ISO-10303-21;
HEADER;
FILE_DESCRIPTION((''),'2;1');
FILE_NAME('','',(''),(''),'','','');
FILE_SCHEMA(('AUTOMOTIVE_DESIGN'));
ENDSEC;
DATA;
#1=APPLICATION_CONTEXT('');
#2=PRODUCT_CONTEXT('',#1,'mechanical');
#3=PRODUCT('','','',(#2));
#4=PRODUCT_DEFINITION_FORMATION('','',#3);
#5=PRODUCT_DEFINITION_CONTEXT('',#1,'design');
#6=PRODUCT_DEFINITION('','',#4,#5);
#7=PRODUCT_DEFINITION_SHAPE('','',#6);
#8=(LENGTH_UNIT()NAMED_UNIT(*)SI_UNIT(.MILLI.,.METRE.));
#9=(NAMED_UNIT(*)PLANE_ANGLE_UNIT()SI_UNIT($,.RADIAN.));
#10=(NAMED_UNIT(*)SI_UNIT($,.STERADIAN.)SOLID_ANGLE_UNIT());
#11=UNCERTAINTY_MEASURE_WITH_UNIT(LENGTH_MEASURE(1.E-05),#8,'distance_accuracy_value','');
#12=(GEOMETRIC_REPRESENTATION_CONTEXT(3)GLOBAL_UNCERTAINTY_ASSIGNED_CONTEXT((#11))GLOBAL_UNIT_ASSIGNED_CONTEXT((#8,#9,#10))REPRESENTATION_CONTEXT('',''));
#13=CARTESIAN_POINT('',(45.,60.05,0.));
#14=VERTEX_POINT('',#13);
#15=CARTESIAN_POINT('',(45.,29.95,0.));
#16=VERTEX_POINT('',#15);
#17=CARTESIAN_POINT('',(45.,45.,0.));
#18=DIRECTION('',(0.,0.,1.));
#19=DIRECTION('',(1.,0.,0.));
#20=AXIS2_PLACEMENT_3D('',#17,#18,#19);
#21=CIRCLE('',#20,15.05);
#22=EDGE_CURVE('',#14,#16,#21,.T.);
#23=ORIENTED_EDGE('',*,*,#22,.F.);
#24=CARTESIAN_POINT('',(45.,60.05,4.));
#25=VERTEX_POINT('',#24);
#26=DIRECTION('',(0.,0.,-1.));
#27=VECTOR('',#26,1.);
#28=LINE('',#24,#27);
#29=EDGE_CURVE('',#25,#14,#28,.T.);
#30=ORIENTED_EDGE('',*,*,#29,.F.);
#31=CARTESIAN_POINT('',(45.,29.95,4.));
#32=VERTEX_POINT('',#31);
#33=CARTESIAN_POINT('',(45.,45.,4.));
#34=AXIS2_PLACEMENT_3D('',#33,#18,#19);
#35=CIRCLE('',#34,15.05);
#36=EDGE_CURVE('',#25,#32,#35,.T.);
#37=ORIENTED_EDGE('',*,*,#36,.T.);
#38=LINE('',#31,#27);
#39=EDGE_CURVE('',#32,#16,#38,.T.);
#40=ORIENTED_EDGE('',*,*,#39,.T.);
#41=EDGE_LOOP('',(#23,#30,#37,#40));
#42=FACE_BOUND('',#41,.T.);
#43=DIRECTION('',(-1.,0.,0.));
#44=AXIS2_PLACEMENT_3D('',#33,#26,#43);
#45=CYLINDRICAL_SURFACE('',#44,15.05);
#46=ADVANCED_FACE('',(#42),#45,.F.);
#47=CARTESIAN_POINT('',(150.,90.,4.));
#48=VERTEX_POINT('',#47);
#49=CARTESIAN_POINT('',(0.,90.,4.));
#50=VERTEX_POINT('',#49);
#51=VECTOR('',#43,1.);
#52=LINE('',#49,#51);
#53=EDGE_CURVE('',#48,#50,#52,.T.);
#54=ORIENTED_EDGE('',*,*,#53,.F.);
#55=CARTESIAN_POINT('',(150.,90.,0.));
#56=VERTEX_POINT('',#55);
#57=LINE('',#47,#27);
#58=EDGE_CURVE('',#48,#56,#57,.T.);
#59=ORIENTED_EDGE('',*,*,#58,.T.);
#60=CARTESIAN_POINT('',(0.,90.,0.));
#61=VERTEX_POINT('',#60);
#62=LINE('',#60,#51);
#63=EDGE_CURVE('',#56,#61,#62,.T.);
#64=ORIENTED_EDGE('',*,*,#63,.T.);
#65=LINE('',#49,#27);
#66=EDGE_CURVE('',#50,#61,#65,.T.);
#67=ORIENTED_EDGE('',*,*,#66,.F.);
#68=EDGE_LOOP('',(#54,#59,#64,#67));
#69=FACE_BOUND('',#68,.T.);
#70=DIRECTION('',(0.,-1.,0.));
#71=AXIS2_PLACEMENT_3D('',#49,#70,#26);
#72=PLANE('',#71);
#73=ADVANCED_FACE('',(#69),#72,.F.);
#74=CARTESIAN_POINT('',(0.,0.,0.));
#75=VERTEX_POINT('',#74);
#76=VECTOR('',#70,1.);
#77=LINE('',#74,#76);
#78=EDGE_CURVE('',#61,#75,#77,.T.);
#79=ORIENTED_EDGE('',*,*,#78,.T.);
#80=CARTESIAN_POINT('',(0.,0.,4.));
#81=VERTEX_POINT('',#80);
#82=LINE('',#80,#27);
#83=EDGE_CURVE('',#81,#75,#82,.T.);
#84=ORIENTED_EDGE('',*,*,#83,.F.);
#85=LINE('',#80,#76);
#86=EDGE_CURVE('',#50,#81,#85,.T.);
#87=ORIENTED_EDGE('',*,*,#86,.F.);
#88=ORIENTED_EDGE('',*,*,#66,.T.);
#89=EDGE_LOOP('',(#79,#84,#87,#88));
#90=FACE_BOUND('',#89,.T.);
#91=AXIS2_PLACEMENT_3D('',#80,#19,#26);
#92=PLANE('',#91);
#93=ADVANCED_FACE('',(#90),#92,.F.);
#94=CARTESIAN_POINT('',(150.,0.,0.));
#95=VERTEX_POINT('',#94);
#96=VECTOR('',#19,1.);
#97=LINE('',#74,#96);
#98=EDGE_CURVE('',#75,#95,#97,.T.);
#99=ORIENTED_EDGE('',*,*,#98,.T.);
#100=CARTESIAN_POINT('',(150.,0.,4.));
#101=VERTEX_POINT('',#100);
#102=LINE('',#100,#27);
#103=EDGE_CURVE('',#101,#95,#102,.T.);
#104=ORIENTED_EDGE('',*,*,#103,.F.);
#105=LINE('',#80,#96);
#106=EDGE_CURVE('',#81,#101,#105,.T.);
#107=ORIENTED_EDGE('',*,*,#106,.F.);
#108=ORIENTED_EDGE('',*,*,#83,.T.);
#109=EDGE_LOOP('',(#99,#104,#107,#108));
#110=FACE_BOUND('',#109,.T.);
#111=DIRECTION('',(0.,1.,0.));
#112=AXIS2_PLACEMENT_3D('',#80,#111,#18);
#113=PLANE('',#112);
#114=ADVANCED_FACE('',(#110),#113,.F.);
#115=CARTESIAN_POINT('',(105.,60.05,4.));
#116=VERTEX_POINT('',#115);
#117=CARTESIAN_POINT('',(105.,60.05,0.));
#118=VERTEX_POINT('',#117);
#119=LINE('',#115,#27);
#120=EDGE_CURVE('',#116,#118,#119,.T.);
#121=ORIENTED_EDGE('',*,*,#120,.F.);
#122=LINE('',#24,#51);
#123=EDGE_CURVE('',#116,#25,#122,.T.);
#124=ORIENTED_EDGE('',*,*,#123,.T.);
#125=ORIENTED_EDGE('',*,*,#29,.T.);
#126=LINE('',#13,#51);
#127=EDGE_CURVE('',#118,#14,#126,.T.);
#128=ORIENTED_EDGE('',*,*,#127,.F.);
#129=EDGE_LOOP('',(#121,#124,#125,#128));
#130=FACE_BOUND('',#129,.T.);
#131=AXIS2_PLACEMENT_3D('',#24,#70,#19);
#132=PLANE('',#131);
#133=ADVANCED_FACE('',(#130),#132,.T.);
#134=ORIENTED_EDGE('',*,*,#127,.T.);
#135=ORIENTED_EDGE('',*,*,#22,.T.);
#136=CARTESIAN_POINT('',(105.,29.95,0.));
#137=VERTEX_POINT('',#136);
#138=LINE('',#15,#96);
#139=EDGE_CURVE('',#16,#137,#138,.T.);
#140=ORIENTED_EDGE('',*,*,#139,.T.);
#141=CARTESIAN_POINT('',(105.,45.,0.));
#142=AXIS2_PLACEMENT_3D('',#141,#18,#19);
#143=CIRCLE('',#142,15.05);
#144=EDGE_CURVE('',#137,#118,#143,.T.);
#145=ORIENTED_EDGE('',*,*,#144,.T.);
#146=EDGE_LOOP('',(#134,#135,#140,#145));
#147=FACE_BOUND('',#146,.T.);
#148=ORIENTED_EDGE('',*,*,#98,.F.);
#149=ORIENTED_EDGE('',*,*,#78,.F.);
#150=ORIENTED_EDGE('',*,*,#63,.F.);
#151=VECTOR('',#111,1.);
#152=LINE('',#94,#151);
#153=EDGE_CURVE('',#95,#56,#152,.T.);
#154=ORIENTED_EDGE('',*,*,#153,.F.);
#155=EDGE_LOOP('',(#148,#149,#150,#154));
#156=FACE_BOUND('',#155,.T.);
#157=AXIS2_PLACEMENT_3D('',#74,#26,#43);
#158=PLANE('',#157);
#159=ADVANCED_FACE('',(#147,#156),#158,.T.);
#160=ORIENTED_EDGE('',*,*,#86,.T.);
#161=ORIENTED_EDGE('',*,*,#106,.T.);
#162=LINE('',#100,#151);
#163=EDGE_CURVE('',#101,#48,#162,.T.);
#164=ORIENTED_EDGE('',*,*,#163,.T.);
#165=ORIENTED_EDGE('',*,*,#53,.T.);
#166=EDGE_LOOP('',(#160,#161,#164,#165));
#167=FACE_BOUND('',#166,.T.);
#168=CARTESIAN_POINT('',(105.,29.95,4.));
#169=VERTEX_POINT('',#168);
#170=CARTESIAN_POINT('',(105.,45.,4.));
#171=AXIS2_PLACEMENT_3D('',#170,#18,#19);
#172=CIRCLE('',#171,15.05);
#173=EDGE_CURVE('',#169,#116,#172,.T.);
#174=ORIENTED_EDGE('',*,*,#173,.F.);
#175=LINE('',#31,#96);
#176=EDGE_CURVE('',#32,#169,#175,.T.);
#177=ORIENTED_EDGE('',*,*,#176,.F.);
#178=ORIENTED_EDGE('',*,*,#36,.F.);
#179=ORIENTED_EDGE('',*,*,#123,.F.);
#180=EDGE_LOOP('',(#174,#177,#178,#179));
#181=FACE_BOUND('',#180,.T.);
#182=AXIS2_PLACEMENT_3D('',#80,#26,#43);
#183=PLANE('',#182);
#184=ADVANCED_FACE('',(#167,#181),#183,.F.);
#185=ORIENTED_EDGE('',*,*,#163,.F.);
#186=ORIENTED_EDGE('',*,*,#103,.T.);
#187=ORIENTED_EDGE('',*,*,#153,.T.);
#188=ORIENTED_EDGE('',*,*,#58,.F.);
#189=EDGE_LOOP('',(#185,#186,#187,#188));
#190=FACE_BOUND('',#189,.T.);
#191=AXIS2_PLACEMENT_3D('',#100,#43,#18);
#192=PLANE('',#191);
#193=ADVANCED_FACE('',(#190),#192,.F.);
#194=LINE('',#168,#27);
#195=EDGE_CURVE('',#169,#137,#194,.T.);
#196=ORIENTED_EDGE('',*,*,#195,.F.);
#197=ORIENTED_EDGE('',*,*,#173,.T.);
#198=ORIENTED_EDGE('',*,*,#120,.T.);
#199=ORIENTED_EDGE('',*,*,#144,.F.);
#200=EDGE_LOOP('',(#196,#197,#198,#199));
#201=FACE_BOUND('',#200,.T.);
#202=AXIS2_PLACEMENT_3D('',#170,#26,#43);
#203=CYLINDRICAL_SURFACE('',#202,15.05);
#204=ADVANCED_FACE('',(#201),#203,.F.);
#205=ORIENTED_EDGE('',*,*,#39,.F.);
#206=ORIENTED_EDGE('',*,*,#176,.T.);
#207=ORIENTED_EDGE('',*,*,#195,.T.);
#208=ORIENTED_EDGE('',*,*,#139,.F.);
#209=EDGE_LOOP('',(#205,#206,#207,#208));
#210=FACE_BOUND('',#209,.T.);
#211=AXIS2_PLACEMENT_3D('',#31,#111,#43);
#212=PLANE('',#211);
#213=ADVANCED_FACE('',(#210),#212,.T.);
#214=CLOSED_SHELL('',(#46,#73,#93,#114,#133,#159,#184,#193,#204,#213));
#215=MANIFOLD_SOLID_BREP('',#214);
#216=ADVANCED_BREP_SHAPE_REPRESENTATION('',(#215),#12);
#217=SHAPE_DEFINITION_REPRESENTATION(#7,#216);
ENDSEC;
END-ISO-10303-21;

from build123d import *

# Parameters (mm, degrees)
SKETCH1_W           = 150
SKETCH1_H           = 90
BOSS_EXTRUDE1_DEPTH = 4


with BuildPart() as part:
    # Sketch1 → Boss-Extrude1 (new body)
    with BuildSketch(Plane.XY):
        with Locations((75, 45)):
            Rectangle(SKETCH1_W, SKETCH1_H)
        with BuildLine():
            Line((45, 29.95), (105, 29.95))
            ThreePointArc((105, 29.95), (120.05, 45), (105, 60.05))
            Line((105, 60.05), (45, 60.05))
            ThreePointArc((45, 60.05), (29.95, 45), (45, 29.95))
        make_face(mode=Mode.SUBTRACT)
    extrude(amount=BOSS_EXTRUDE1_DEPTH)


solid = part.part
